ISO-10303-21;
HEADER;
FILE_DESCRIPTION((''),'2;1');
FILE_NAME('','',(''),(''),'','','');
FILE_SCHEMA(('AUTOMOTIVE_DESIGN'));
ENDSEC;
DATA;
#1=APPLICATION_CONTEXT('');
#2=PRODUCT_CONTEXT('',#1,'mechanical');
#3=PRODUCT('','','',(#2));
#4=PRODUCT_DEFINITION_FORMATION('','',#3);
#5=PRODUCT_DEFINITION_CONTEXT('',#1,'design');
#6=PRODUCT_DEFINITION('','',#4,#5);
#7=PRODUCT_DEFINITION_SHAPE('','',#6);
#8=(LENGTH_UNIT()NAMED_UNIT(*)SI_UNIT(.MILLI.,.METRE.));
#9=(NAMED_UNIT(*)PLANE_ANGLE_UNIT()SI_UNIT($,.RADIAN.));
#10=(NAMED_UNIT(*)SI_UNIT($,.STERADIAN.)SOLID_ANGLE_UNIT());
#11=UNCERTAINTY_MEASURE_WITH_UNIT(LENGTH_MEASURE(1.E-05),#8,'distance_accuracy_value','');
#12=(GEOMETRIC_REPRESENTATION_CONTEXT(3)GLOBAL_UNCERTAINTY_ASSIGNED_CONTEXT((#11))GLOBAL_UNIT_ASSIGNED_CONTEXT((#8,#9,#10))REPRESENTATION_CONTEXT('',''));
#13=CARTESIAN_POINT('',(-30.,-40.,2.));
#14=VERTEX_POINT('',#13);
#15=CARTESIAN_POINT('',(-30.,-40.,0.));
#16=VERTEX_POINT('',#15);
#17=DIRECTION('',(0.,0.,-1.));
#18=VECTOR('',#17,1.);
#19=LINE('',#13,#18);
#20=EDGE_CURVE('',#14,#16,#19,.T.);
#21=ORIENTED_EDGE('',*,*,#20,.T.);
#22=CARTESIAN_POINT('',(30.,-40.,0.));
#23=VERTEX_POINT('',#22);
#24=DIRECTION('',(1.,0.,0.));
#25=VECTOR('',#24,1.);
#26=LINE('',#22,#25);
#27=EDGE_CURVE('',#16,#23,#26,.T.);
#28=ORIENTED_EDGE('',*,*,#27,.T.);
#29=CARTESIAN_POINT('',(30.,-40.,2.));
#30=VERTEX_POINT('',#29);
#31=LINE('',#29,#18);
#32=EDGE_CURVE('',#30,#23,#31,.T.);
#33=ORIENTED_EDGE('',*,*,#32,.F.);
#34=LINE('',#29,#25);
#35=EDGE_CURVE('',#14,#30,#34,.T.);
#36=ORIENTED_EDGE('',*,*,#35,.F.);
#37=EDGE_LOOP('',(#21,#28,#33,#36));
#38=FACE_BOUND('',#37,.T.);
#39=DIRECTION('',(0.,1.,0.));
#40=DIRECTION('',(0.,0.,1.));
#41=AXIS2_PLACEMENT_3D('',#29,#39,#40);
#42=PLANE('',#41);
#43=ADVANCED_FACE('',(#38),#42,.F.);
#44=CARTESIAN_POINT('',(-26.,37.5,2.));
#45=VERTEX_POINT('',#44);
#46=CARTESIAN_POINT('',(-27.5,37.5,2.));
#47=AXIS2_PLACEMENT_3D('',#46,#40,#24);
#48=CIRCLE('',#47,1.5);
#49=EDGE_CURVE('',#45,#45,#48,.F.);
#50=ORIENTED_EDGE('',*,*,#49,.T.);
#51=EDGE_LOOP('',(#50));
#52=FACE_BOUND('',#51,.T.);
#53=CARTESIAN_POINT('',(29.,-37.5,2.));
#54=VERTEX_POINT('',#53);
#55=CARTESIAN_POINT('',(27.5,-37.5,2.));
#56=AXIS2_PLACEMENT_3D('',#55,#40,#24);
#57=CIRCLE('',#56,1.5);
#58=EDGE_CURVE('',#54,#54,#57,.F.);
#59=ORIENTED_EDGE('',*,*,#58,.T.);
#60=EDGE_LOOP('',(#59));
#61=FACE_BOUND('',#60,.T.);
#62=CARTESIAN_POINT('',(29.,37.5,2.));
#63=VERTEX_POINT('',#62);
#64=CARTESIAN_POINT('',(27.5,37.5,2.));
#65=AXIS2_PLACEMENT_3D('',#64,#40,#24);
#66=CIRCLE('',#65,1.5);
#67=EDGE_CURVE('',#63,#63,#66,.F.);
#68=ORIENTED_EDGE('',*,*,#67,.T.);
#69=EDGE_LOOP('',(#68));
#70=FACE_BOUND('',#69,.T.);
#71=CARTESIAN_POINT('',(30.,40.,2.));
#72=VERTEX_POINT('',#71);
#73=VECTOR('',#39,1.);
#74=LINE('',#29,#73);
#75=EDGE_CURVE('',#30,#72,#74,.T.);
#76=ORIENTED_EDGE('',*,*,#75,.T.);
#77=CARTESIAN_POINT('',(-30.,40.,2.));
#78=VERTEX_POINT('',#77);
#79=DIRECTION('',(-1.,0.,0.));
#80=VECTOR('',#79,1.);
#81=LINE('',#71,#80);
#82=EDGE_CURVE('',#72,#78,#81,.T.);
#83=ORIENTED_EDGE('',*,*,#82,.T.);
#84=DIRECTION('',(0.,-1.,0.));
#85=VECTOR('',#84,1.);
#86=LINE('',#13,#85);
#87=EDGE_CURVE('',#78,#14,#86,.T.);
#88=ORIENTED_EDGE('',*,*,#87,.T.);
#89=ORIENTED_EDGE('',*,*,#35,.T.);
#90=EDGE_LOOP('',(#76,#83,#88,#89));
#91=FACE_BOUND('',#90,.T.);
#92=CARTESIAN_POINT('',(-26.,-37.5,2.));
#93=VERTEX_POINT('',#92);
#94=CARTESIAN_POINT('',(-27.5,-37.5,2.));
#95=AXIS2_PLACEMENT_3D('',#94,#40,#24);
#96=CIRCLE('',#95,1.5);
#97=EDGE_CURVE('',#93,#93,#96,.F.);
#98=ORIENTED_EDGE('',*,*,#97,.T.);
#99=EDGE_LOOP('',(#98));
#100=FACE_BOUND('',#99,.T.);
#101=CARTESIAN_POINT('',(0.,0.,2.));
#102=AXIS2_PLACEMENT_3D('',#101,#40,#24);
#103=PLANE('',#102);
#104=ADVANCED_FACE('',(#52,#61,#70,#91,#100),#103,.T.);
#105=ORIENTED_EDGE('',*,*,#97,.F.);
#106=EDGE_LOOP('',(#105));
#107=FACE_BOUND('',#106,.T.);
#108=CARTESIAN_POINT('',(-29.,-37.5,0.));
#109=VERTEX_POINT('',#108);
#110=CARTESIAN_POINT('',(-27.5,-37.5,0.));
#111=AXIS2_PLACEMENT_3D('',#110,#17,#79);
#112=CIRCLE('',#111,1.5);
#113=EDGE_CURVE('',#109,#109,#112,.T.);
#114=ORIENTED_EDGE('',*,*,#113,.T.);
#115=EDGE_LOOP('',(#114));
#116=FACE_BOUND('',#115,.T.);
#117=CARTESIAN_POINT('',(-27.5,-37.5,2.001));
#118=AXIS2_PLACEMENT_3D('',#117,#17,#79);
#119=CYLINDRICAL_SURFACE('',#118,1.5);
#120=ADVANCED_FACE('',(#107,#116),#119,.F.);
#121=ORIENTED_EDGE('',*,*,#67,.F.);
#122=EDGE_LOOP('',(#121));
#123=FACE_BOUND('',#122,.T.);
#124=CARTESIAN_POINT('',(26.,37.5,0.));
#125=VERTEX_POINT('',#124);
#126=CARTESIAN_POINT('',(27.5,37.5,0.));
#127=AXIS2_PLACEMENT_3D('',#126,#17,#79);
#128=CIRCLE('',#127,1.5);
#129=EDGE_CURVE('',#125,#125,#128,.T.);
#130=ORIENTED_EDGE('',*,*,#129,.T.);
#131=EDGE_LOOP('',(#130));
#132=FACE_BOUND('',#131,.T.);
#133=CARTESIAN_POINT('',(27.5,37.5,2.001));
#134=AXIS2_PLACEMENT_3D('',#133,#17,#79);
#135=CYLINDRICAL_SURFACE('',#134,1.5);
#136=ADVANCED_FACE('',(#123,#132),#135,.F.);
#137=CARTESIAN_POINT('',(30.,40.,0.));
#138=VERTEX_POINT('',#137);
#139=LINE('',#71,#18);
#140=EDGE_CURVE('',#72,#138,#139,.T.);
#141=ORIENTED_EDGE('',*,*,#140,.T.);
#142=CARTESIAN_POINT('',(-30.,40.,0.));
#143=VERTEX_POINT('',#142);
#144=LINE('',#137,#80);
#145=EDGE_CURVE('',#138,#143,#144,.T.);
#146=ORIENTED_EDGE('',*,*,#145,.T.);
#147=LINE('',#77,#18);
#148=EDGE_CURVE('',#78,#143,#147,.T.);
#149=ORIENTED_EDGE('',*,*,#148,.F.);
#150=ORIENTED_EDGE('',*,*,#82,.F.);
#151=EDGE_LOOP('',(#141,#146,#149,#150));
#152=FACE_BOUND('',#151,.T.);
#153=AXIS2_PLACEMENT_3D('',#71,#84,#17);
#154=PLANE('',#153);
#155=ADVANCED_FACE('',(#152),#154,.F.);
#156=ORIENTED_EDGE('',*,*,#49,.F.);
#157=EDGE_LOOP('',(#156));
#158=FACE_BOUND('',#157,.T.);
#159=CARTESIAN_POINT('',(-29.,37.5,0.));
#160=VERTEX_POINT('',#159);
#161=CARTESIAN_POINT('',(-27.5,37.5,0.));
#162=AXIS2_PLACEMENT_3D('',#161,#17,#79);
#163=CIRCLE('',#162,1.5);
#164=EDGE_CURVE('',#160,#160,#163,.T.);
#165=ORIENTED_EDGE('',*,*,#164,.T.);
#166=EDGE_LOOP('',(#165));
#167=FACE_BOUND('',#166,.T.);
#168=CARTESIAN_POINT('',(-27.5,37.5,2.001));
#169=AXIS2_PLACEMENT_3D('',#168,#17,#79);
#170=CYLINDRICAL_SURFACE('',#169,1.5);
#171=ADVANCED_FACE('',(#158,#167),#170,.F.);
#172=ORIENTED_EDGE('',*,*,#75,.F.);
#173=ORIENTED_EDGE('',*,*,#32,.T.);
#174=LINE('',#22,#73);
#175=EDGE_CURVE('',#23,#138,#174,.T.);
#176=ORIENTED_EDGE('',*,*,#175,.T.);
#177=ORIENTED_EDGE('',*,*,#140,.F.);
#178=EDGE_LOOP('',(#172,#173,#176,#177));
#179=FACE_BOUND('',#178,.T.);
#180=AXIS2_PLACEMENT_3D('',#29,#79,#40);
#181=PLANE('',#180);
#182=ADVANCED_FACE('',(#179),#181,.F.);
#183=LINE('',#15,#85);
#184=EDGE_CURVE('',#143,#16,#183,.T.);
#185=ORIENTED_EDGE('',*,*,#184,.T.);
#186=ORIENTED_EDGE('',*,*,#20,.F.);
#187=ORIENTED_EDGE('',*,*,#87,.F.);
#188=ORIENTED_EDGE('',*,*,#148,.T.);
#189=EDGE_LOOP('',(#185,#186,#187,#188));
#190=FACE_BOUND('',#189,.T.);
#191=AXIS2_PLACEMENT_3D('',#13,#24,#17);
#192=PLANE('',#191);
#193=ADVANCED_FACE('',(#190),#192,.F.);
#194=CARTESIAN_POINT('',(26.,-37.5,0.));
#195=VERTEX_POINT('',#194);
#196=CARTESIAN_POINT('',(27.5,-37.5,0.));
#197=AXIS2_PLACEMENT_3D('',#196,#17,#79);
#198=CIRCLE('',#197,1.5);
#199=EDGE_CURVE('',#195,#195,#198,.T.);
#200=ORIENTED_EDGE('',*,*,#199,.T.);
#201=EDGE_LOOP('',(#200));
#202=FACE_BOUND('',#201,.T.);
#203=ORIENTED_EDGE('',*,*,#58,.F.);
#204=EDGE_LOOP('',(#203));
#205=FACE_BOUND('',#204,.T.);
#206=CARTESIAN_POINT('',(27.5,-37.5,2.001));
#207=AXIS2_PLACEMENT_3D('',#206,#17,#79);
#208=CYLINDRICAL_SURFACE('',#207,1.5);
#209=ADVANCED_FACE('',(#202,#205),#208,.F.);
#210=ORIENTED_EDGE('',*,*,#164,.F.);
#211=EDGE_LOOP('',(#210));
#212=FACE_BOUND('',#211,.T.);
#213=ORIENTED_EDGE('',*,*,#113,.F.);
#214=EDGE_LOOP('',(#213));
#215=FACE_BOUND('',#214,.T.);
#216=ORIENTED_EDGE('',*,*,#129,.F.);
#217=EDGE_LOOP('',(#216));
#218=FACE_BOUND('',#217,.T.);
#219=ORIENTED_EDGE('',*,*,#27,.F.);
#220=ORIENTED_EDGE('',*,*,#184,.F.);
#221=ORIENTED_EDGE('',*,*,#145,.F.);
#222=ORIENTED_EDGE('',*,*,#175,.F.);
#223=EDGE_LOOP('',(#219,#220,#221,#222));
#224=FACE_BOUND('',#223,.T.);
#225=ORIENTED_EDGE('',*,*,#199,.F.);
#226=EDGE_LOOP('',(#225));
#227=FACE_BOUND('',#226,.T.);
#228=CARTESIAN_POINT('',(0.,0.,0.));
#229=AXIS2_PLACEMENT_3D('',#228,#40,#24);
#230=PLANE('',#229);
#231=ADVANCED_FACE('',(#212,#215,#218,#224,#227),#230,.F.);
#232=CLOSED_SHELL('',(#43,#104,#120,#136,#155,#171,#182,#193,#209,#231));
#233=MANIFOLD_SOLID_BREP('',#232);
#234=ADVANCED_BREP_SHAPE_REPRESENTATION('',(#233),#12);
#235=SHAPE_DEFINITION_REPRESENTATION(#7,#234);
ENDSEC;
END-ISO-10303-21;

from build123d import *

# Parameters (mm, degrees)
CROQUIS1_W              = 60
CROQUIS1_H              = 80
SALIENTE_EXTRUIR1_DEPTH = 2
CORTAR_EXTRUIR1_REACH   = 4
CROQUIS2_R              = 1.5


with BuildPart() as part:
    # Croquis1 → Saliente-Extruir1 (new body)
    with BuildSketch(Plane.XY):
        Rectangle(CROQUIS1_W, CROQUIS1_H)
    extrude(amount=SALIENTE_EXTRUIR1_DEPTH)

    # Croquis2 → Cortar-Extruir1 (cut, up to next)
    with BuildSketch(Plane(origin=(0, 0, 0), x_dir=(-1, 0, 0), z_dir=(0, 0, -1)), mode=Mode.PRIVATE) as cortar_extruir1_sk1:
        with Locations((27.5, -37.5)):
            Circle(CROQUIS2_R)
    cortar_extruir1_tool1 = extrude(cortar_extruir1_sk1.sketch, amount=-CORTAR_EXTRUIR1_REACH, mode=Mode.PRIVATE) & part.part
    add(cortar_extruir1_tool1.solids().sort_by_distance((-27.5, -37.5, 0))[0], mode=Mode.SUBTRACT)
    # Croquis2 → Cortar-Extruir1 (cut, up to next)
    with BuildSketch(Plane(origin=(0, 0, 0), x_dir=(-1, 0, 0), z_dir=(0, 0, -1)), mode=Mode.PRIVATE) as cortar_extruir1_sk2:
        with Locations((-27.5, -37.5)):
            Circle(CROQUIS2_R)
    cortar_extruir1_tool2 = extrude(cortar_extruir1_sk2.sketch, amount=-CORTAR_EXTRUIR1_REACH, mode=Mode.PRIVATE) & part.part
    add(cortar_extruir1_tool2.solids().sort_by_distance((27.5, -37.5, 0))[0], mode=Mode.SUBTRACT)
    # Croquis2 → Cortar-Extruir1 (cut, up to next)
    with BuildSketch(Plane(origin=(0, 0, 0), x_dir=(-1, 0, 0), z_dir=(0, 0, -1)), mode=Mode.PRIVATE) as cortar_extruir1_sk3:
        with Locations((-27.5, 37.5)):
            Circle(CROQUIS2_R)
    cortar_extruir1_tool3 = extrude(cortar_extruir1_sk3.sketch, amount=-CORTAR_EXTRUIR1_REACH, mode=Mode.PRIVATE) & part.part
    add(cortar_extruir1_tool3.solids().sort_by_distance((27.5, 37.5, 0))[0], mode=Mode.SUBTRACT)
    # Croquis2 → Cortar-Extruir1 (cut, up to next)
    with BuildSketch(Plane(origin=(0, 0, 0), x_dir=(-1, 0, 0), z_dir=(0, 0, -1)), mode=Mode.PRIVATE) as cortar_extruir1_sk4:
        with Locations((27.5, 37.5)):
            Circle(CROQUIS2_R)
    cortar_extruir1_tool4 = extrude(cortar_extruir1_sk4.sketch, amount=-CORTAR_EXTRUIR1_REACH, mode=Mode.PRIVATE) & part.part
    add(cortar_extruir1_tool4.solids().sort_by_distance((-27.5, 37.5, 0))[0], mode=Mode.SUBTRACT)


solid = part.part
